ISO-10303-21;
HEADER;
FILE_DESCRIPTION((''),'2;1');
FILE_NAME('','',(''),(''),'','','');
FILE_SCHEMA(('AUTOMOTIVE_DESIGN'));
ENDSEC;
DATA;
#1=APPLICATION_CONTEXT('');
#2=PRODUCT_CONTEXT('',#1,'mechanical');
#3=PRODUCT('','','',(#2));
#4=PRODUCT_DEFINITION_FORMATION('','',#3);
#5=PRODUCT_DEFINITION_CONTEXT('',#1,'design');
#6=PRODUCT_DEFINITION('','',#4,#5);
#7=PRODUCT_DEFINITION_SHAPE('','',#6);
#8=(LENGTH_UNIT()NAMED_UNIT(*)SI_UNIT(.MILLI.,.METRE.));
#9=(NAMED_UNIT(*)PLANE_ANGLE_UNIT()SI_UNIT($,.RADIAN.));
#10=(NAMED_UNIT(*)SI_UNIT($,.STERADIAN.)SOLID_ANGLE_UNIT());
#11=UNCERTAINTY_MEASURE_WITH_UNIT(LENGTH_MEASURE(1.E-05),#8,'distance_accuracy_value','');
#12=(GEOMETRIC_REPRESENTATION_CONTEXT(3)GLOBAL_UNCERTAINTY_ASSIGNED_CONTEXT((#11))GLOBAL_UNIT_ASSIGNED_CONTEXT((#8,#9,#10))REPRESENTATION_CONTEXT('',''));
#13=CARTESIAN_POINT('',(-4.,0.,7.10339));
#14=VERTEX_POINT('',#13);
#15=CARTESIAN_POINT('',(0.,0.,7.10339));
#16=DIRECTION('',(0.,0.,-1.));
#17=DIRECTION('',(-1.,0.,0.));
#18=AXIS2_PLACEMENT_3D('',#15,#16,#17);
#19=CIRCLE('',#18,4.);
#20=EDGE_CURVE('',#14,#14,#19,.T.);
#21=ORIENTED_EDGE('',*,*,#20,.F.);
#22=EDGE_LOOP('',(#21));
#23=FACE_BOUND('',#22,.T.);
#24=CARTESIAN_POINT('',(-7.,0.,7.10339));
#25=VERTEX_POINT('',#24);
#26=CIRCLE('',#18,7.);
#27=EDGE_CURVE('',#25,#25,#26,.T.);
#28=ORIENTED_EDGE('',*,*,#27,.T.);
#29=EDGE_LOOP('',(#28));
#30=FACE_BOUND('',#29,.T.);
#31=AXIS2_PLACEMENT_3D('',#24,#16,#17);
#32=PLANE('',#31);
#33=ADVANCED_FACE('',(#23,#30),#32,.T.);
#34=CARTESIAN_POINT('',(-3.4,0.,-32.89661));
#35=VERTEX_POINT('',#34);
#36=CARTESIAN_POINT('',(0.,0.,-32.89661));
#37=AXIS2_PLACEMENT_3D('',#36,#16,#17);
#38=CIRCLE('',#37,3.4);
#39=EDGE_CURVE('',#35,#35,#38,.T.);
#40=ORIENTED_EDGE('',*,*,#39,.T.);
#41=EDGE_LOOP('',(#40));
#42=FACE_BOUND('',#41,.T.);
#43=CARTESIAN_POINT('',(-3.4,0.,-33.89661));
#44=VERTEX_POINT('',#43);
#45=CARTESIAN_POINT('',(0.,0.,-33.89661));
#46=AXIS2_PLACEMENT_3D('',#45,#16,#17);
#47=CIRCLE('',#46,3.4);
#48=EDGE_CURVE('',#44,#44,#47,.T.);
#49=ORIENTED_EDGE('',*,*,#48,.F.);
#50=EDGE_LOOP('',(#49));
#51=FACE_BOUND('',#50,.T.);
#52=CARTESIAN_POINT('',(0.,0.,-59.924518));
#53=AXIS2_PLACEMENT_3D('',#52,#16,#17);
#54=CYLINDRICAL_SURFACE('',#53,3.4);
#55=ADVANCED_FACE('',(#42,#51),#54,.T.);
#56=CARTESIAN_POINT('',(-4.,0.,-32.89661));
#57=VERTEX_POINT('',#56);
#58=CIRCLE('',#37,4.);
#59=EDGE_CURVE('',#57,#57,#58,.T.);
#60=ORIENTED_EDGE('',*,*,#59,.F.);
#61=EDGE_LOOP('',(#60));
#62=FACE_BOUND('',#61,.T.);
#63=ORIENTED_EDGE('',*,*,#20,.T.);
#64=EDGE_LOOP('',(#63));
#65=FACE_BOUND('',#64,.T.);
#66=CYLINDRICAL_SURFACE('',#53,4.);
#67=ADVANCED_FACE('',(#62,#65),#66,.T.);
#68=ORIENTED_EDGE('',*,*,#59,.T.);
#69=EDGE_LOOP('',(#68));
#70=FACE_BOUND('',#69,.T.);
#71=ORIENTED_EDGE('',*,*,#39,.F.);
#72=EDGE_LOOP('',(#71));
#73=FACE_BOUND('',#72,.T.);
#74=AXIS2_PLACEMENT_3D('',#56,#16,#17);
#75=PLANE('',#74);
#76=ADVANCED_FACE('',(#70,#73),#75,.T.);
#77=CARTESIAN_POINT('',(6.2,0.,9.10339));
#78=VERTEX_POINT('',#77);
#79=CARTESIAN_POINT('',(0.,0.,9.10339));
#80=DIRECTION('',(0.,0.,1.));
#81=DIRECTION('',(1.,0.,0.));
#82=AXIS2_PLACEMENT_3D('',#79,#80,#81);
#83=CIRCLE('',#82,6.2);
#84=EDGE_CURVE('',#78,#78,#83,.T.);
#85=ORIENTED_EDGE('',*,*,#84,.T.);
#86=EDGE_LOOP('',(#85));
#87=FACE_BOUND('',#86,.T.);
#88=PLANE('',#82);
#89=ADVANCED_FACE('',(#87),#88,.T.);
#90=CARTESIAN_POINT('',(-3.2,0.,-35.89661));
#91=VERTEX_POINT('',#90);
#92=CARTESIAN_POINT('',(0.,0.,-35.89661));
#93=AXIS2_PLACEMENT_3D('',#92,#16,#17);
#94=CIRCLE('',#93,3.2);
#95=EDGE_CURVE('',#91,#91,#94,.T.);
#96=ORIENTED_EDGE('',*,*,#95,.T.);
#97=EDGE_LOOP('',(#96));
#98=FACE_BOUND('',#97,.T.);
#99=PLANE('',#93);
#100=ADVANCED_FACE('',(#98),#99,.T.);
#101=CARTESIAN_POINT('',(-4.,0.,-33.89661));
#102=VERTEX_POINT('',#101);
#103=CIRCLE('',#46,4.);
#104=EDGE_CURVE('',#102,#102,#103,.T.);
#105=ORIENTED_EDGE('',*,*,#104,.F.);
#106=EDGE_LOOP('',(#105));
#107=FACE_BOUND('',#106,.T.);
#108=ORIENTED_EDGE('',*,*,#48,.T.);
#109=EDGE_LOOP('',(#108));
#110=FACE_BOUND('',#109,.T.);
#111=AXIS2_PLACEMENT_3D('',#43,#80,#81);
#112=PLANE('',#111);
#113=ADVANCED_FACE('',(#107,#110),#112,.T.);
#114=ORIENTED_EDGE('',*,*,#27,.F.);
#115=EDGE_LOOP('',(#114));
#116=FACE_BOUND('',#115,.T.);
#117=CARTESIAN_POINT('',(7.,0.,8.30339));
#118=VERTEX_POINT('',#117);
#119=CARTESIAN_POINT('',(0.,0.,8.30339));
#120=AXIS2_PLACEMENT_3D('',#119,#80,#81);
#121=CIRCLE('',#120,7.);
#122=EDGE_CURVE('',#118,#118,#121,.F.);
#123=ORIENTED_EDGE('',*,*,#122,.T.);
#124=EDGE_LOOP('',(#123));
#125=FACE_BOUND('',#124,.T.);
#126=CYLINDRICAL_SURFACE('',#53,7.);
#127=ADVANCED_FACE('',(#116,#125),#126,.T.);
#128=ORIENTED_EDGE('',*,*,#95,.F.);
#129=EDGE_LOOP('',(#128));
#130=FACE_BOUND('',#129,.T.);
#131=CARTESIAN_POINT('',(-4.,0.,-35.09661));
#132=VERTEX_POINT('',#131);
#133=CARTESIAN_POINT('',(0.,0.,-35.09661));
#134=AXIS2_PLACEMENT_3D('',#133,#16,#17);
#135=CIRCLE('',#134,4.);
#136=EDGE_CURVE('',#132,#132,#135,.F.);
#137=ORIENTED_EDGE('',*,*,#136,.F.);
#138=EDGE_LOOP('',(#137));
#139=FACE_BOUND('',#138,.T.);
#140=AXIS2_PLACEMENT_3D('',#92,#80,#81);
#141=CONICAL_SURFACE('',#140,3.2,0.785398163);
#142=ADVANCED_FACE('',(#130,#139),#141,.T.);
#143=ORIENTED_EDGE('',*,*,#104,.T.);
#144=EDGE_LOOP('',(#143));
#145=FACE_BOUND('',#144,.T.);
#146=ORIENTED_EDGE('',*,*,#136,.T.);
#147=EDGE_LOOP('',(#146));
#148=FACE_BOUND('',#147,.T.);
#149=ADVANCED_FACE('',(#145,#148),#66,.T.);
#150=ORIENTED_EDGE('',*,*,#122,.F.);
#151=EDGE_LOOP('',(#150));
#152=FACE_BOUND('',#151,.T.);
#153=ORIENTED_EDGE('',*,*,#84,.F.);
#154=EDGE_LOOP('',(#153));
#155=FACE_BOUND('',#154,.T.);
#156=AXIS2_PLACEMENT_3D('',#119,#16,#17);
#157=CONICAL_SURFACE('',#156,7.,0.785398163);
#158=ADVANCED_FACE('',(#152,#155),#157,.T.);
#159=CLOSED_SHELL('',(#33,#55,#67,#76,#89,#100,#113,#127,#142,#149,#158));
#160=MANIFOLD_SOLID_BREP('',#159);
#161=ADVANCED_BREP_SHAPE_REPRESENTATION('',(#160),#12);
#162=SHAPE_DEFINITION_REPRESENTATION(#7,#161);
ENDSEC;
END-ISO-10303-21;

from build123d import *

# Parameters (mm, degrees)
CHAMFER1_SIZE = 0.8


with BuildPart() as part:
    # Sketch1 → Revolve1 (revolve)
    with BuildSketch(Plane(origin=(0, 0, 0), x_dir=(1, 0, 0), z_dir=(0, 1, 0))):
        Polygon((0, -9.103389831), (-7, -9.103389831), (-7, -7.103389831), (-4, -7.103389831), (-4, 32.896610169), (-3.4, 32.896610169), (-3.4, 33.896610169), (-4, 33.896610169), (-4, 35.896610169), (0, 35.896610169), align=None)
    revolve(axis=Axis((0, 0, -59.924518123), (0, 0, 1)))

    # Chamfer1
    chamfer1_edges = [part.edges().sort_by_distance(p)[0] for p in [
        (4, 0, -35.896610169),
        (7, 0, 9.103389831),
    ]]
    chamfer(chamfer1_edges, length=CHAMFER1_SIZE)


solid = part.part
